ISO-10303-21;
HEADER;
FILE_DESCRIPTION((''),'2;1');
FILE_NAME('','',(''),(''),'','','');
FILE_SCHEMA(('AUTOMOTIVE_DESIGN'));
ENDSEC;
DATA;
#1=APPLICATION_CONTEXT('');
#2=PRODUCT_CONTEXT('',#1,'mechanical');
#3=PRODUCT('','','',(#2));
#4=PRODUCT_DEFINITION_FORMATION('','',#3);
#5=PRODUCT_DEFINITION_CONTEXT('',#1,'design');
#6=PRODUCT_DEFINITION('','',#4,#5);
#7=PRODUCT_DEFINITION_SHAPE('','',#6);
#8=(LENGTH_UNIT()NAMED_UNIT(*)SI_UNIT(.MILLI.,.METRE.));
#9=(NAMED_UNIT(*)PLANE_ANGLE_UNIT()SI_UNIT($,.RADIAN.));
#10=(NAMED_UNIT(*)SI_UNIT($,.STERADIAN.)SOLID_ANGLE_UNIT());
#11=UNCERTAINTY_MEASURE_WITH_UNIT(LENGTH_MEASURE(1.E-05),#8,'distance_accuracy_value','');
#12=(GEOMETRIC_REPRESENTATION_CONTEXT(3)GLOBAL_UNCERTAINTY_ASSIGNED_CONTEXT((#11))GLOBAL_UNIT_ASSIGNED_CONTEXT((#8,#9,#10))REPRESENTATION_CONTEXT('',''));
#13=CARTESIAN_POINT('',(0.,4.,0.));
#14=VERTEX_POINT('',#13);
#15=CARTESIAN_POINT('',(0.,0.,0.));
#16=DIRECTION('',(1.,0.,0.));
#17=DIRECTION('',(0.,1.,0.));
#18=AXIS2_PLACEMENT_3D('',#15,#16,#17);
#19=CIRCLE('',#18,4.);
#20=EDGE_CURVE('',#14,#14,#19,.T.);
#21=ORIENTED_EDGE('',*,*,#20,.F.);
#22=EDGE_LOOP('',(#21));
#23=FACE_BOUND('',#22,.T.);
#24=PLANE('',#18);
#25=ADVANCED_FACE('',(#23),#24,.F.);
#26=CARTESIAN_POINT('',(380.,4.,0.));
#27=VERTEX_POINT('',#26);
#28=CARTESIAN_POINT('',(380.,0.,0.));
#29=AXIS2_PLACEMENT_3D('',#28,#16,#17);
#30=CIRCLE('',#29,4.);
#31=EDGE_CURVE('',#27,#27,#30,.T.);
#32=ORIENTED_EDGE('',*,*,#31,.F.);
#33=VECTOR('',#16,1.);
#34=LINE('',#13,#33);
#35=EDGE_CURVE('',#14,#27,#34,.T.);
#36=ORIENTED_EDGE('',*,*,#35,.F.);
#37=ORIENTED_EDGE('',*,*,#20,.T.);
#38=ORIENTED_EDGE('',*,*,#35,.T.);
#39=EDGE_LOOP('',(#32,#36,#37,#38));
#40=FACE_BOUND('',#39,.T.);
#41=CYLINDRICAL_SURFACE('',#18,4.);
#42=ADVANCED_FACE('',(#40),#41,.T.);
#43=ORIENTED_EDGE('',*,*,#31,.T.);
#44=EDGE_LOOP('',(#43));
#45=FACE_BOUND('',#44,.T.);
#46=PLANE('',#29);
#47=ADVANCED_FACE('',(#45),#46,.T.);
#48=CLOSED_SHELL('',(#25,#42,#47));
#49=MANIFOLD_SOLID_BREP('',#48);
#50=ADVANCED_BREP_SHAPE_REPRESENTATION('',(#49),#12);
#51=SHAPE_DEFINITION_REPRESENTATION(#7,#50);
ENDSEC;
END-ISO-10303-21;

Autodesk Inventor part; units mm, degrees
ref_plane "Płaszczyzna początkowa" through (0, 0, 0) normal (1, 0, 0) x (0, 1, 0)
ref_plane "XZ Plane" through (0, 0, 0) normal (0, 1, 0) x (-1, 0, 0)
ref_plane "XY Plane" through (0, 0, 0) normal (0, 0, 1) x (1, 0, 0)
sketch "Szkic główny" plane through (0, 0, 0) normal (0, 0, 1) x (1, 0, 0)
  line L0 (0, 0) -> (380, 0)
  line L1 (0, 0) -> (0, 4)
  line L2 (380, 4) -> (380, 0)
  line L3 (0, 4) -> (380, 4)
  dimension "d3" = 8
revolve "Obrót1" add sketch "Szkic główny" angle 360 about axis through (0, 0, 0) along (1, 0, 0)
properties part number "8x380axis" material "Steel"
